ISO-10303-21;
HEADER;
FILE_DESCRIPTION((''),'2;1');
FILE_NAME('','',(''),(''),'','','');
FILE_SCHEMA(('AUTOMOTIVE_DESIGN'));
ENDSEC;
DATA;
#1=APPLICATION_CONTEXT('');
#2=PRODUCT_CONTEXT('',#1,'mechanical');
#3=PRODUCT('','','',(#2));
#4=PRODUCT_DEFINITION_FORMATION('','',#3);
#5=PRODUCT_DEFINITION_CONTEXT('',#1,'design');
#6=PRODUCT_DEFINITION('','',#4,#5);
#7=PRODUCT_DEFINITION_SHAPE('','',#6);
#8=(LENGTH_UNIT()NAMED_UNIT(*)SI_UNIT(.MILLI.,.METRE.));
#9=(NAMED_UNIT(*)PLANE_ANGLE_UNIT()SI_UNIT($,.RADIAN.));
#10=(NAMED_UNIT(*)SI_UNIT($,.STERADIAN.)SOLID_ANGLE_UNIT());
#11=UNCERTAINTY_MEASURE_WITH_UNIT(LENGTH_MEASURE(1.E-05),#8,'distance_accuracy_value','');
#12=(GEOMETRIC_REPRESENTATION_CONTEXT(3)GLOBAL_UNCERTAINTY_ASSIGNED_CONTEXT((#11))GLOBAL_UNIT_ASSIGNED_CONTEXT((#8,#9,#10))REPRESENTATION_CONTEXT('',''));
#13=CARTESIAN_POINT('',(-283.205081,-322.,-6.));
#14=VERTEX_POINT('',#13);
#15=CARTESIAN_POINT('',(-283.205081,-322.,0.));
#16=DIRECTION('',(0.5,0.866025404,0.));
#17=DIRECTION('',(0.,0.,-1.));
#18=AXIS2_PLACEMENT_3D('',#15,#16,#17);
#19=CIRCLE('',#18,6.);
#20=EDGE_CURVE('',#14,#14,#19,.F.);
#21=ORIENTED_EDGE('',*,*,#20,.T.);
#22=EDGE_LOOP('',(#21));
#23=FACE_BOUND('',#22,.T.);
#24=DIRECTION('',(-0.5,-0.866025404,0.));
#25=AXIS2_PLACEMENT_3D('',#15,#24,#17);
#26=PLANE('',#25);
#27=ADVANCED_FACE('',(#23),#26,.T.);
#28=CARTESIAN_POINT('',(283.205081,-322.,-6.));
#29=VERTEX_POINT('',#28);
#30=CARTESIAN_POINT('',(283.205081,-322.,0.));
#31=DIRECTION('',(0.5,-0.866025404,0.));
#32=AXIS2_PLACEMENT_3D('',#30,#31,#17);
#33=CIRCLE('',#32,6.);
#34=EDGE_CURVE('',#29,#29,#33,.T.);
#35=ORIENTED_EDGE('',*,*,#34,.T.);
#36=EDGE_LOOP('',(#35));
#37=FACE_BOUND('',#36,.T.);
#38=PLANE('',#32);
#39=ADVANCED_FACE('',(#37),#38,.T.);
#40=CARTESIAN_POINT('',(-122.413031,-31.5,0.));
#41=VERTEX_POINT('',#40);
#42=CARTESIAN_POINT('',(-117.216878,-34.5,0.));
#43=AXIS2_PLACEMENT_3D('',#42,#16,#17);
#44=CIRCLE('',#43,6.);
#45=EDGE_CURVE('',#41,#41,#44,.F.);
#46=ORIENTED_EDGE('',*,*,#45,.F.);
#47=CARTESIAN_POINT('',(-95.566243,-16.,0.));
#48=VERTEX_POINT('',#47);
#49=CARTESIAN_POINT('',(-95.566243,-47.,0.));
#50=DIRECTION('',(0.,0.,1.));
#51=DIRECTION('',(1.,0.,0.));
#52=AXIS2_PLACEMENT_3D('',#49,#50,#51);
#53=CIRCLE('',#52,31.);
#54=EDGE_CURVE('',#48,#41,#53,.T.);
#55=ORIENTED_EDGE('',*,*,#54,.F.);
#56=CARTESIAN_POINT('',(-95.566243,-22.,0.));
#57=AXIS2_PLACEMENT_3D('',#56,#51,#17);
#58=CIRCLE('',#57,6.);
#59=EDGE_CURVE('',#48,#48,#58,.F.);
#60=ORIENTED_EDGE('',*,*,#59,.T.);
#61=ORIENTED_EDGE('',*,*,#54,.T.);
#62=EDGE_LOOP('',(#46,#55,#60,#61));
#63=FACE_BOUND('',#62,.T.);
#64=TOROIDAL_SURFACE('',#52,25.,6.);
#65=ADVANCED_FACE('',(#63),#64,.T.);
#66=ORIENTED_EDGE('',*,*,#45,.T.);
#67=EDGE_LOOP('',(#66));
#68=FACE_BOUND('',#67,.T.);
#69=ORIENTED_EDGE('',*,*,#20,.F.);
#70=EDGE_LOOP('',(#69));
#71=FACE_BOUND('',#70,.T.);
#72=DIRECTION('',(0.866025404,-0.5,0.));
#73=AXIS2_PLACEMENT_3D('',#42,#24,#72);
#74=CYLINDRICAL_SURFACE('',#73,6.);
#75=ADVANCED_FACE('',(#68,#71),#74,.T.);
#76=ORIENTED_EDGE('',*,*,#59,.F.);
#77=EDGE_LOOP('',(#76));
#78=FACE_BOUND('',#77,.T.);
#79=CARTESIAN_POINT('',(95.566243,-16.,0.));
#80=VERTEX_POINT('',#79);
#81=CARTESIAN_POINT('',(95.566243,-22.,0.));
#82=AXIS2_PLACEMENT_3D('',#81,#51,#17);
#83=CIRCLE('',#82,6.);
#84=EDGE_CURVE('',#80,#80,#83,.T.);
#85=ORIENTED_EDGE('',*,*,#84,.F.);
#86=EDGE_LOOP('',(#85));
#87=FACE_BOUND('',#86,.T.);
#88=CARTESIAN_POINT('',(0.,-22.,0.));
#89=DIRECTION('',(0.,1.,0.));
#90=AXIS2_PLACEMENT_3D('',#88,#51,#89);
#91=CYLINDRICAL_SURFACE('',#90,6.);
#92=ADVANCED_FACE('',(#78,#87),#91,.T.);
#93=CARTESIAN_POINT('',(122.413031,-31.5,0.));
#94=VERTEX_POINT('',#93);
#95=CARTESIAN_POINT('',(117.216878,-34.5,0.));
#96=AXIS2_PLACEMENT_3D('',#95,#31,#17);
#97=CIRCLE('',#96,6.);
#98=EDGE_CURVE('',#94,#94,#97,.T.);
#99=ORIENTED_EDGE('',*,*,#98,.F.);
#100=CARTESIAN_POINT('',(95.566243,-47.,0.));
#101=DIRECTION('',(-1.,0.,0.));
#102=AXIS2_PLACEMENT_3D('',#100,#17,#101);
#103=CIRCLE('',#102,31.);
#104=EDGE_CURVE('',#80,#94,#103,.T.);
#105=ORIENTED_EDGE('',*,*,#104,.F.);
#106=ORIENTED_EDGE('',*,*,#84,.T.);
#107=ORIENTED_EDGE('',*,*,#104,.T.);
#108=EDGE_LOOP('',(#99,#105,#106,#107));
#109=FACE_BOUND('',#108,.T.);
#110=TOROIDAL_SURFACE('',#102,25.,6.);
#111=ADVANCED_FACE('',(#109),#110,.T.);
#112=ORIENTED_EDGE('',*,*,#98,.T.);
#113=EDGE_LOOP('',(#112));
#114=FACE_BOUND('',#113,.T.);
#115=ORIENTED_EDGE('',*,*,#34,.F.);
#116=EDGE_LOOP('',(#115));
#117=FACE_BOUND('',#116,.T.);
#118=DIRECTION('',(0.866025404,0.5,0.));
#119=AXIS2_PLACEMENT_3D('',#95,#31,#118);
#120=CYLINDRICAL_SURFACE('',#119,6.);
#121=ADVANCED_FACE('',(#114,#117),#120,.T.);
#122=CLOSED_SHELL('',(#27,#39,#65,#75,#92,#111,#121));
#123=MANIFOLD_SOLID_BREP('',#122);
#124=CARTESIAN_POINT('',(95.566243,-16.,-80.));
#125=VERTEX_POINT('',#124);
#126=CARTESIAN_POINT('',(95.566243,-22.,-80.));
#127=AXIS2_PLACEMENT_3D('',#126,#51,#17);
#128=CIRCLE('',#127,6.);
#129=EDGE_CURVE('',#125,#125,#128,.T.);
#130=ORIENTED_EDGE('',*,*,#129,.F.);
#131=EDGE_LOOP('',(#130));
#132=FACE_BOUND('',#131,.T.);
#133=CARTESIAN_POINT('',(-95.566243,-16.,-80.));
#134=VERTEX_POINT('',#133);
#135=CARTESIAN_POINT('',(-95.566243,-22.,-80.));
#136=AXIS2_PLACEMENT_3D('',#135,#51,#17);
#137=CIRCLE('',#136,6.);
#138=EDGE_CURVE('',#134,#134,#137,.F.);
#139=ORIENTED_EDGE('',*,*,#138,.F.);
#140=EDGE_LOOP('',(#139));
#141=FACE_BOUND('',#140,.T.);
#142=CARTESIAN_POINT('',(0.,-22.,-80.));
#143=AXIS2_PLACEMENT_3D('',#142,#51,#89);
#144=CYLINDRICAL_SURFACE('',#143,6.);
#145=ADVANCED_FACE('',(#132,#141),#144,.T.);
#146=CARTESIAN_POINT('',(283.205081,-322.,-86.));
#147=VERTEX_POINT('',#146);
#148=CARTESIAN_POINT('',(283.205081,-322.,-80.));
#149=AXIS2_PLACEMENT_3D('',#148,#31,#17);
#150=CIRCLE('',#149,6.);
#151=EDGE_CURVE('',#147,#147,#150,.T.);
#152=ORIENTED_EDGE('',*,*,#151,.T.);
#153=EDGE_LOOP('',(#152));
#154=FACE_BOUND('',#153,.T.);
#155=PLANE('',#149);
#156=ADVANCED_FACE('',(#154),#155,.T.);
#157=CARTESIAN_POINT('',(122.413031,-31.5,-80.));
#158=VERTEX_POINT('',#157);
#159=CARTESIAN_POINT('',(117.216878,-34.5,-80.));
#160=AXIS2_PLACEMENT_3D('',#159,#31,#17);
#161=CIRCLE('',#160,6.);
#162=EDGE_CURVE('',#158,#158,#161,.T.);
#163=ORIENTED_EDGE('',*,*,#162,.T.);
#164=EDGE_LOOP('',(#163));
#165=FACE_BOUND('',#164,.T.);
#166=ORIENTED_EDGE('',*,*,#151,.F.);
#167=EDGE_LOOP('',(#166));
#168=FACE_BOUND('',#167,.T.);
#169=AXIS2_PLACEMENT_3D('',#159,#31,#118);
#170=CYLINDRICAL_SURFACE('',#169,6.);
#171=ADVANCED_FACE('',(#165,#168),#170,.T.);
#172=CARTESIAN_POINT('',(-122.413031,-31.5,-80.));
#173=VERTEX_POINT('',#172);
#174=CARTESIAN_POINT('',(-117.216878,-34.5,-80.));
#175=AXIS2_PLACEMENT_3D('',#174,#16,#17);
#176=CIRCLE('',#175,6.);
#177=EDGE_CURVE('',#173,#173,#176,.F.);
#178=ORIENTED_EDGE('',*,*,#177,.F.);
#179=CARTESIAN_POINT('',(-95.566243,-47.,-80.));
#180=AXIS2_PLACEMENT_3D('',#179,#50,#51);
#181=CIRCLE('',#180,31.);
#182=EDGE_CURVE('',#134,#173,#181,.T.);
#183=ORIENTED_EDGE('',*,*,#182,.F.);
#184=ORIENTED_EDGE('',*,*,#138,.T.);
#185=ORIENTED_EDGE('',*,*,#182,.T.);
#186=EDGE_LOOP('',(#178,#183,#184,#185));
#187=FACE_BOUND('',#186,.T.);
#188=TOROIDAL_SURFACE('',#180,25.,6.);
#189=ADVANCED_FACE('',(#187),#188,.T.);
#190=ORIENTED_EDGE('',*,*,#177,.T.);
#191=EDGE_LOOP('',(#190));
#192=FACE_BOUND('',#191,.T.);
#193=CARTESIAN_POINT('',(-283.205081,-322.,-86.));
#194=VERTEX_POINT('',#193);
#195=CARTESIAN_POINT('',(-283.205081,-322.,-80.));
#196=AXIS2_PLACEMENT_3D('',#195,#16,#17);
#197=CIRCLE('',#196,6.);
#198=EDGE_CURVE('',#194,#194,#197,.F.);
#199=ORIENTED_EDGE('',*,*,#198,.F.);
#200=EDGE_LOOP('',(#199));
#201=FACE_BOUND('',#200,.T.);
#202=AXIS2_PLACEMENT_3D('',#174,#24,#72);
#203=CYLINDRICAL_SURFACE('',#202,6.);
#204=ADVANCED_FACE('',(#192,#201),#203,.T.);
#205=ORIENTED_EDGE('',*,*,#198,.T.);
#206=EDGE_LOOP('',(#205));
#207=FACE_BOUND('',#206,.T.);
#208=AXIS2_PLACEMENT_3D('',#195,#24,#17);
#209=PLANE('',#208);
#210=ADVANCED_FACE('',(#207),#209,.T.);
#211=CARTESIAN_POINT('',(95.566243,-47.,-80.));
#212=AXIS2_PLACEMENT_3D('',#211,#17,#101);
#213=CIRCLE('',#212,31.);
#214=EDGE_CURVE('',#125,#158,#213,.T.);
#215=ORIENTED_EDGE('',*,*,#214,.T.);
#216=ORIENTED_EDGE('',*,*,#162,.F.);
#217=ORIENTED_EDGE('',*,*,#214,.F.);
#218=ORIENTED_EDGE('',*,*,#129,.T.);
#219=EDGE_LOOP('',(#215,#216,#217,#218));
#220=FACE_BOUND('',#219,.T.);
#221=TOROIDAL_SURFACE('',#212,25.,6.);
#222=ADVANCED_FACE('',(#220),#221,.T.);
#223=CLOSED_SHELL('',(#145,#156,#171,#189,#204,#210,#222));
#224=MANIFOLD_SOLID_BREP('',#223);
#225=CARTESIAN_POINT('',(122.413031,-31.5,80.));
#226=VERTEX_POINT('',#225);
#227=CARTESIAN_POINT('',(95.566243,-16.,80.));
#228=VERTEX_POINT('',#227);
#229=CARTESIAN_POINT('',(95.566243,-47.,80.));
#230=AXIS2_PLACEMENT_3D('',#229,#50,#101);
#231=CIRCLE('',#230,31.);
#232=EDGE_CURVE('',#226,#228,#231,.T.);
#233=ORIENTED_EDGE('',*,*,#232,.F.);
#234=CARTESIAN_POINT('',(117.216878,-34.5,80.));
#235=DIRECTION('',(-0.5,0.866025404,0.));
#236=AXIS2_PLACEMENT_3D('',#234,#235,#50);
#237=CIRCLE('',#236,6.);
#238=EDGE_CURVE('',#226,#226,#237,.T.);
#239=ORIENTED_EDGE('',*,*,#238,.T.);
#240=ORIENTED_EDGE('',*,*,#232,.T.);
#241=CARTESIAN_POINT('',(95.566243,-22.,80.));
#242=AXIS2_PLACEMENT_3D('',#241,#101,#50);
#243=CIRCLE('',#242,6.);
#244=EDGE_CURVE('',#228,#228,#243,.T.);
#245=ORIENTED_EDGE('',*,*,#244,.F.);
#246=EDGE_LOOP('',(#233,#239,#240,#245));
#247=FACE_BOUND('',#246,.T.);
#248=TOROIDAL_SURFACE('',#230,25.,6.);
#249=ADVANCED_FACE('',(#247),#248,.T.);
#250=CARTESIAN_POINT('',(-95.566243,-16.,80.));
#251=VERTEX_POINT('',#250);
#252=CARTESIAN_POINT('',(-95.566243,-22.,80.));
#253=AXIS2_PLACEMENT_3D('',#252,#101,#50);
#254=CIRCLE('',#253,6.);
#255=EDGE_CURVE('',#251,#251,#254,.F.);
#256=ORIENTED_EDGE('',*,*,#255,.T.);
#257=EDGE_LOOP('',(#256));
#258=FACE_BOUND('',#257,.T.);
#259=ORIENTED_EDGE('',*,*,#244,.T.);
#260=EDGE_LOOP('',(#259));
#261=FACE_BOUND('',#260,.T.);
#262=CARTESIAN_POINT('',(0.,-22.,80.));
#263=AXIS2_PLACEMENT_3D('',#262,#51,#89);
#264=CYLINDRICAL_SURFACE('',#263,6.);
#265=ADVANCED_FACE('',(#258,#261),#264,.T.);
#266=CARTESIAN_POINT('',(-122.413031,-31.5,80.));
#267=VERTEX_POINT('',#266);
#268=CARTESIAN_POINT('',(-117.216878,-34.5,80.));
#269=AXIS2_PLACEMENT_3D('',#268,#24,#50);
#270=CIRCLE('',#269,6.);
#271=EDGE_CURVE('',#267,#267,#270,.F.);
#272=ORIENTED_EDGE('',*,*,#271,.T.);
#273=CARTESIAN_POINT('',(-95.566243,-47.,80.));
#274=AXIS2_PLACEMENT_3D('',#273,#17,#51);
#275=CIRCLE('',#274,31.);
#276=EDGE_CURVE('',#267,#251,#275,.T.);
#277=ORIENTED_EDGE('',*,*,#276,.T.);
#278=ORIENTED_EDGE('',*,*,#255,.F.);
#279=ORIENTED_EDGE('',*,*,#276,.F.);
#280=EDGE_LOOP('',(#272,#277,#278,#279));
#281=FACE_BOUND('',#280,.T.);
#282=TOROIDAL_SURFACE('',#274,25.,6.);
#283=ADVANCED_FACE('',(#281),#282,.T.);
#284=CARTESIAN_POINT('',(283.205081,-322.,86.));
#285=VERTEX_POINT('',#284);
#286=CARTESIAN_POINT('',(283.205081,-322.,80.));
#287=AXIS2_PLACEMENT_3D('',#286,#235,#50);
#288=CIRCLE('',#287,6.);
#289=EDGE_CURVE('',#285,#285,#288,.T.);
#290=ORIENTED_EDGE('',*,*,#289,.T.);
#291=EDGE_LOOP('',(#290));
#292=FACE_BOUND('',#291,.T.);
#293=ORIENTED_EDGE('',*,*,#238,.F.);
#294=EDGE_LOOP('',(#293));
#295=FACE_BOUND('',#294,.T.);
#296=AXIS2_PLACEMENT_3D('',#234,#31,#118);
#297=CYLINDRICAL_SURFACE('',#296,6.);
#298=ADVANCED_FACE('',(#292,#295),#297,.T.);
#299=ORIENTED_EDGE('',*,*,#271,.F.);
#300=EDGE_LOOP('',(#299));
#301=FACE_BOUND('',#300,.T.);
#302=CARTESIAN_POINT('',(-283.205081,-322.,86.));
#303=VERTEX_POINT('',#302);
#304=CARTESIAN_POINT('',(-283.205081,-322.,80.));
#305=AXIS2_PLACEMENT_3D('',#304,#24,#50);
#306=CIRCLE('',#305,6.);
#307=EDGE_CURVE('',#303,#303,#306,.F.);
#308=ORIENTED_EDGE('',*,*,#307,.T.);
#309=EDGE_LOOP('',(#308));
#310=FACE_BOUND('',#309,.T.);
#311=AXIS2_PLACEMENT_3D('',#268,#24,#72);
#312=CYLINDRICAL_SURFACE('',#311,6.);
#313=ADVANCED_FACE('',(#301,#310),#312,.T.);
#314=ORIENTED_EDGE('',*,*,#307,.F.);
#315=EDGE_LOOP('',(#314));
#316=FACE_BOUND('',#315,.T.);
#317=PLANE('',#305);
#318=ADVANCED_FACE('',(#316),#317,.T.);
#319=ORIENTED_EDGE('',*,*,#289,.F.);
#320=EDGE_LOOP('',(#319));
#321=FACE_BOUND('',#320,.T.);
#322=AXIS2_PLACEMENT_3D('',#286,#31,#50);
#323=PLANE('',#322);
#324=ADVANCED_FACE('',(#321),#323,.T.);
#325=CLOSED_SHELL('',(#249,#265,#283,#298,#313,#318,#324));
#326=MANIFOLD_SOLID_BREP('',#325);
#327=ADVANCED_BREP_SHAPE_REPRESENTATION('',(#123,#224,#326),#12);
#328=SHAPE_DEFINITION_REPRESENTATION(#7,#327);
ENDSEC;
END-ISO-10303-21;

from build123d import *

# Parameters (mm, degrees)
SKETCH_2_R             = 6
PATTERN_LINEAR_1_COUNT = 2
PATTERN_LINEAR_1_PITCH = 80


with BuildPart() as part:
    # По траектории1: sweep along a path in Эскиз3
    with BuildLine(Plane.XY) as sweep_1_path:
        Line((0, -22), (95.56624327, -22))
        ThreePointArc((95.56624327, -22), (108.06624327, -25.349364905), (117.216878365, -34.5))
        Line((117.216878365, -34.5), (283.205080757, -322))
    # Эскиз2 → По траектории1 (sweep)
    with BuildSketch(Plane(origin=(0, 0, 0), x_dir=(0, 0, -1), z_dir=(1, 0, 0))):
        with Locations((0, -22)):
            Circle(SKETCH_2_R)
    sweep_1 = sweep(path=sweep_1_path.line)

    # Зеркальное отражение1: По траектории1 across plane
    add(sweep_1.mirror(Plane(origin=(0, -22, 0), x_dir=(0, 0, 1), z_dir=(1, 0, 0))))


with BuildPart() as pattern_linear_1_1:
    # Линейный массив1: pattern copy
    add(part.part.moved(Location(Vector(0, 0, -1) * (1 * PATTERN_LINEAR_1_PITCH))))


with BuildPart() as body_3:
    # Зеркальное отражение2: mirrored copy
    add(pattern_linear_1_1.part.mirror(Plane.XY))


solid = Compound([part.part, pattern_linear_1_1.part, body_3.part])
